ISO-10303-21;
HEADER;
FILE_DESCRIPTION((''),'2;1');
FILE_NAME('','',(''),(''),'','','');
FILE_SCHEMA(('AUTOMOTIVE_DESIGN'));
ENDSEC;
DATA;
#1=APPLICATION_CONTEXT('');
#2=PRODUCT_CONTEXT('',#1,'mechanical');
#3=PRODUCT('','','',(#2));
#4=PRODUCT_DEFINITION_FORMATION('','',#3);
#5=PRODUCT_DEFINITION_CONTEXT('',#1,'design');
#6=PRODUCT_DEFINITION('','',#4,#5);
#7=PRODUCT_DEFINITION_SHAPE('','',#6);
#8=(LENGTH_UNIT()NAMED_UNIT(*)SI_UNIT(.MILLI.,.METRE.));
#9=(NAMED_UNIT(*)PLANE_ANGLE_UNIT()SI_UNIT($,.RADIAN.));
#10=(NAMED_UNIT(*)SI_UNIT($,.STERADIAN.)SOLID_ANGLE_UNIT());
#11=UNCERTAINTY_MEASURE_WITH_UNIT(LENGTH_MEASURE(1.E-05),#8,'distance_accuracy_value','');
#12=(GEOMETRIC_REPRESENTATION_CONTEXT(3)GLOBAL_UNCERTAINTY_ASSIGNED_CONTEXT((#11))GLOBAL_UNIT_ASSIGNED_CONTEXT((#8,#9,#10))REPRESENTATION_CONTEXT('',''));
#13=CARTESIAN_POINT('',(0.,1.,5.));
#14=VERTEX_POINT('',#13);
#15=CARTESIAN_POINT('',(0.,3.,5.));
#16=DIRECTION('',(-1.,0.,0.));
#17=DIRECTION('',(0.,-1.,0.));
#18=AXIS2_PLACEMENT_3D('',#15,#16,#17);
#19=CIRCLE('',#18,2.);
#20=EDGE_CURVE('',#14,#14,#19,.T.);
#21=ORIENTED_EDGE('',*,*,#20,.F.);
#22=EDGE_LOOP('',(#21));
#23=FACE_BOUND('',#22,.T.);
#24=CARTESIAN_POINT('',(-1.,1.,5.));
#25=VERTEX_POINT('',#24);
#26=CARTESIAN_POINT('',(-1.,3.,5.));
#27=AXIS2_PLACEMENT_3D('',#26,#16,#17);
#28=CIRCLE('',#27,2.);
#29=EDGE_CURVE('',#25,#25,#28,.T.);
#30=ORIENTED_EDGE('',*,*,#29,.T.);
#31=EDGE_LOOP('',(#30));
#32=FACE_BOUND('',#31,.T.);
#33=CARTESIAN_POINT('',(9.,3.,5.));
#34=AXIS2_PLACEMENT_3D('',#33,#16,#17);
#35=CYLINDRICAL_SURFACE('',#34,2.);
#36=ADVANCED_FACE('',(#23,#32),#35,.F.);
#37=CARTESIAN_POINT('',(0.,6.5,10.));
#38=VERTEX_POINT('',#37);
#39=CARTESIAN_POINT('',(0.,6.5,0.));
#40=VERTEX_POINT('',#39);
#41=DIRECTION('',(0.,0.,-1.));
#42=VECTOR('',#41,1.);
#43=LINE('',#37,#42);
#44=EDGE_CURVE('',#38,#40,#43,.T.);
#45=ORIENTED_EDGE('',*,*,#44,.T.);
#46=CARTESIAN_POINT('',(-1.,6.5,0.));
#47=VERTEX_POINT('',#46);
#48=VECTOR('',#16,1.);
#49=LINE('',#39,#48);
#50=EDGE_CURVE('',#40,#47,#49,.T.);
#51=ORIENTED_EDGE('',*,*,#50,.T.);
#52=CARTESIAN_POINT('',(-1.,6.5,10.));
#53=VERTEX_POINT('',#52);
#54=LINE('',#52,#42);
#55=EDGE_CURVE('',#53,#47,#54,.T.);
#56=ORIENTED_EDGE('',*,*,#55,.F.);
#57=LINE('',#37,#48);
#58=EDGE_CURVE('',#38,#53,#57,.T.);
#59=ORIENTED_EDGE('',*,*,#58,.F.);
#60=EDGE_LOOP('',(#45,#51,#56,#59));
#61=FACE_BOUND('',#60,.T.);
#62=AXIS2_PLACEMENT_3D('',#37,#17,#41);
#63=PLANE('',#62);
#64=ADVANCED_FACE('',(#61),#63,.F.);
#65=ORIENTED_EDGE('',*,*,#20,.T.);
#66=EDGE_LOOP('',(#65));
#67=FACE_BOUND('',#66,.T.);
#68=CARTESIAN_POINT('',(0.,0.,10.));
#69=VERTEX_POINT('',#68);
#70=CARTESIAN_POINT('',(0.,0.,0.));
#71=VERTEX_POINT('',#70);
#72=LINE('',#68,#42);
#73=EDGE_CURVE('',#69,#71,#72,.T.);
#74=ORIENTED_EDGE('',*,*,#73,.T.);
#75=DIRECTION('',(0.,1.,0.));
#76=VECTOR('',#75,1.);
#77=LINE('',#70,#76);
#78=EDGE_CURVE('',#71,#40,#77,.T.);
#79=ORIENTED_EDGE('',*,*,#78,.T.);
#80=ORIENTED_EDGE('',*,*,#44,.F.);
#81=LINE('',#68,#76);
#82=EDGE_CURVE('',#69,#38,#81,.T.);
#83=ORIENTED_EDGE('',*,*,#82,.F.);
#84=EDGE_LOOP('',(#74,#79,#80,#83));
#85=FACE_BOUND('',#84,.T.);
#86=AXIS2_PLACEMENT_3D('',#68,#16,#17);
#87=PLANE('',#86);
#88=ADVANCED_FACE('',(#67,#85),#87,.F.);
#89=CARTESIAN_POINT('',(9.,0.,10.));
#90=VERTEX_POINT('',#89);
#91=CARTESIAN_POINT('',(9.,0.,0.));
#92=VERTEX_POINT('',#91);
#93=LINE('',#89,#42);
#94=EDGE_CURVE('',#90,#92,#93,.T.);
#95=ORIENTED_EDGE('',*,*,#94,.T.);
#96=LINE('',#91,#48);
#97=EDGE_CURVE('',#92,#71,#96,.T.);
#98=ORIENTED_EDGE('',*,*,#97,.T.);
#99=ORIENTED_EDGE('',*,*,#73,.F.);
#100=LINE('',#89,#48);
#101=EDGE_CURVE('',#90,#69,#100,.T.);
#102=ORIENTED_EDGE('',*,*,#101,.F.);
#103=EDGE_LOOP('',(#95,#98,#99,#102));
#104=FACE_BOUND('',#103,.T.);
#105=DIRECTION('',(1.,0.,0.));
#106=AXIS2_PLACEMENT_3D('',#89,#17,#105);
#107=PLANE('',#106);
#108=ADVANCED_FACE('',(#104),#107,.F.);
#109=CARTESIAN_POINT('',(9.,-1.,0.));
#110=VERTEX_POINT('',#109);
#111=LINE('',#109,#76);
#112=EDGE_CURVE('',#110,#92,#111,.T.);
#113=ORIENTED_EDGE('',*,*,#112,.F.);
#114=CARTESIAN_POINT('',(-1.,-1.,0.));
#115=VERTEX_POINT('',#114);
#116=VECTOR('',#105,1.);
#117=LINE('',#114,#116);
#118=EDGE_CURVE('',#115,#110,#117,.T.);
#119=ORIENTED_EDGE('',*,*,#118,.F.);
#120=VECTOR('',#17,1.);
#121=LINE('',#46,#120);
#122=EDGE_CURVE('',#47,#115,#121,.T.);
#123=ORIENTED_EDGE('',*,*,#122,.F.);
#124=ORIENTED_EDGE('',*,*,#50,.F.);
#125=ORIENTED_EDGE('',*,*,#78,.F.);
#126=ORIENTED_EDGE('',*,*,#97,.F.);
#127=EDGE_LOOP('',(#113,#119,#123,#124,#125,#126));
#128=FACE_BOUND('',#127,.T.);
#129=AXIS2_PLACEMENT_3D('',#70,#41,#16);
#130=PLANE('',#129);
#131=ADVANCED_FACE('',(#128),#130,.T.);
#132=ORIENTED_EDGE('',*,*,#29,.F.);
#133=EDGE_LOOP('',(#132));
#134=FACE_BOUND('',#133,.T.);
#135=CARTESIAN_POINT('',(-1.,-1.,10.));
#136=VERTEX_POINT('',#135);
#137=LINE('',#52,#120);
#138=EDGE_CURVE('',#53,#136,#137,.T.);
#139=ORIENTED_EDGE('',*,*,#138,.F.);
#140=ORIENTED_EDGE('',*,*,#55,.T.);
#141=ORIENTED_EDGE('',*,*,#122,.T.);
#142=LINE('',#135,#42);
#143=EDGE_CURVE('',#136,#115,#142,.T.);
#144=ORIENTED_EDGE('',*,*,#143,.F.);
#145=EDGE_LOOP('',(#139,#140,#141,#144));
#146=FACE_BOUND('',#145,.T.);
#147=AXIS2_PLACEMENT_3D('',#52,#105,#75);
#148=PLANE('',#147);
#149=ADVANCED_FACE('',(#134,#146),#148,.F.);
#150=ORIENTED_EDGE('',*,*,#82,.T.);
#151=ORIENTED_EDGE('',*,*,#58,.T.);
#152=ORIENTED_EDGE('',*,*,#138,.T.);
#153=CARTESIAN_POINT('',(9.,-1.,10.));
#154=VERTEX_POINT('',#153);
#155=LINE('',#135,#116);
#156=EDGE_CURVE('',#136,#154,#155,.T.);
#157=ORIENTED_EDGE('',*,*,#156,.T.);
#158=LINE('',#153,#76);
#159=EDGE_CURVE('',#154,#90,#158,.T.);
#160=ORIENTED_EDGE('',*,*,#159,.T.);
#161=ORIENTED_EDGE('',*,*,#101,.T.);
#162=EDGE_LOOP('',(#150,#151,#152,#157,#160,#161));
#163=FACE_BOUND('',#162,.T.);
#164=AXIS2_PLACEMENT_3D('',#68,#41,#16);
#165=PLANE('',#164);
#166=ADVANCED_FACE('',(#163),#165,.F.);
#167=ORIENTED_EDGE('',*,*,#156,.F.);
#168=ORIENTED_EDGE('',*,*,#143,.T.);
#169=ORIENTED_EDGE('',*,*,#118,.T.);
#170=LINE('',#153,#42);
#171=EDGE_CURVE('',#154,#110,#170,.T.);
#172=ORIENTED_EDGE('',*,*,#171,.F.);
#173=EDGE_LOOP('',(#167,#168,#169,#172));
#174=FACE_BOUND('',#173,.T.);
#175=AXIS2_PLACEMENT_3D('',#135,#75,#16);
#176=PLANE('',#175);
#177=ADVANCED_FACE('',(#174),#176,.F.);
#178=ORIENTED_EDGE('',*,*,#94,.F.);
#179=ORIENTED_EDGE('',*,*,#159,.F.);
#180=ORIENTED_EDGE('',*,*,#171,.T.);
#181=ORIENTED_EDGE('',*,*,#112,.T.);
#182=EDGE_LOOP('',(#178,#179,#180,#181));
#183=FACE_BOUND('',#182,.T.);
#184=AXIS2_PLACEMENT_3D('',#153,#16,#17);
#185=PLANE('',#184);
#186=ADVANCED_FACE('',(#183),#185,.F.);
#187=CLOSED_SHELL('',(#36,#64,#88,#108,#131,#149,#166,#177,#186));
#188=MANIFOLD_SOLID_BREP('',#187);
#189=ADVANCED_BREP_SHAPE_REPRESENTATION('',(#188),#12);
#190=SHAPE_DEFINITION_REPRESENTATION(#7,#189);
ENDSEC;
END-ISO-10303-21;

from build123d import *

# Parameters (mm, degrees)
AUFSATZ_LINEAR_AUSTRAGEN1_DEPTH = 10
SKIZZE2_R                       = 2
SCHNITT_LINEAR_AUSTRAGEN1_DEPTH = 16.564382416


with BuildPart() as part:
    # Skizze1 → Aufsatz-Linear austragen1 (new body)
    with BuildSketch(Plane.XY):
        Polygon((0, 0), (0, 6.5), (-1, 6.5), (-1, -1), (9, -1), (9, 0), align=None)
    extrude(amount=AUFSATZ_LINEAR_AUSTRAGEN1_DEPTH)

    # Skizze2 → Schnitt-Linear austragen1 (cut, through all)
    with BuildSketch(Plane.ZY.offset(1)):
        with Locations((5, 3)):
            Circle(SKIZZE2_R)
    extrude(amount=-SCHNITT_LINEAR_AUSTRAGEN1_DEPTH, mode=Mode.SUBTRACT)


solid = part.part
